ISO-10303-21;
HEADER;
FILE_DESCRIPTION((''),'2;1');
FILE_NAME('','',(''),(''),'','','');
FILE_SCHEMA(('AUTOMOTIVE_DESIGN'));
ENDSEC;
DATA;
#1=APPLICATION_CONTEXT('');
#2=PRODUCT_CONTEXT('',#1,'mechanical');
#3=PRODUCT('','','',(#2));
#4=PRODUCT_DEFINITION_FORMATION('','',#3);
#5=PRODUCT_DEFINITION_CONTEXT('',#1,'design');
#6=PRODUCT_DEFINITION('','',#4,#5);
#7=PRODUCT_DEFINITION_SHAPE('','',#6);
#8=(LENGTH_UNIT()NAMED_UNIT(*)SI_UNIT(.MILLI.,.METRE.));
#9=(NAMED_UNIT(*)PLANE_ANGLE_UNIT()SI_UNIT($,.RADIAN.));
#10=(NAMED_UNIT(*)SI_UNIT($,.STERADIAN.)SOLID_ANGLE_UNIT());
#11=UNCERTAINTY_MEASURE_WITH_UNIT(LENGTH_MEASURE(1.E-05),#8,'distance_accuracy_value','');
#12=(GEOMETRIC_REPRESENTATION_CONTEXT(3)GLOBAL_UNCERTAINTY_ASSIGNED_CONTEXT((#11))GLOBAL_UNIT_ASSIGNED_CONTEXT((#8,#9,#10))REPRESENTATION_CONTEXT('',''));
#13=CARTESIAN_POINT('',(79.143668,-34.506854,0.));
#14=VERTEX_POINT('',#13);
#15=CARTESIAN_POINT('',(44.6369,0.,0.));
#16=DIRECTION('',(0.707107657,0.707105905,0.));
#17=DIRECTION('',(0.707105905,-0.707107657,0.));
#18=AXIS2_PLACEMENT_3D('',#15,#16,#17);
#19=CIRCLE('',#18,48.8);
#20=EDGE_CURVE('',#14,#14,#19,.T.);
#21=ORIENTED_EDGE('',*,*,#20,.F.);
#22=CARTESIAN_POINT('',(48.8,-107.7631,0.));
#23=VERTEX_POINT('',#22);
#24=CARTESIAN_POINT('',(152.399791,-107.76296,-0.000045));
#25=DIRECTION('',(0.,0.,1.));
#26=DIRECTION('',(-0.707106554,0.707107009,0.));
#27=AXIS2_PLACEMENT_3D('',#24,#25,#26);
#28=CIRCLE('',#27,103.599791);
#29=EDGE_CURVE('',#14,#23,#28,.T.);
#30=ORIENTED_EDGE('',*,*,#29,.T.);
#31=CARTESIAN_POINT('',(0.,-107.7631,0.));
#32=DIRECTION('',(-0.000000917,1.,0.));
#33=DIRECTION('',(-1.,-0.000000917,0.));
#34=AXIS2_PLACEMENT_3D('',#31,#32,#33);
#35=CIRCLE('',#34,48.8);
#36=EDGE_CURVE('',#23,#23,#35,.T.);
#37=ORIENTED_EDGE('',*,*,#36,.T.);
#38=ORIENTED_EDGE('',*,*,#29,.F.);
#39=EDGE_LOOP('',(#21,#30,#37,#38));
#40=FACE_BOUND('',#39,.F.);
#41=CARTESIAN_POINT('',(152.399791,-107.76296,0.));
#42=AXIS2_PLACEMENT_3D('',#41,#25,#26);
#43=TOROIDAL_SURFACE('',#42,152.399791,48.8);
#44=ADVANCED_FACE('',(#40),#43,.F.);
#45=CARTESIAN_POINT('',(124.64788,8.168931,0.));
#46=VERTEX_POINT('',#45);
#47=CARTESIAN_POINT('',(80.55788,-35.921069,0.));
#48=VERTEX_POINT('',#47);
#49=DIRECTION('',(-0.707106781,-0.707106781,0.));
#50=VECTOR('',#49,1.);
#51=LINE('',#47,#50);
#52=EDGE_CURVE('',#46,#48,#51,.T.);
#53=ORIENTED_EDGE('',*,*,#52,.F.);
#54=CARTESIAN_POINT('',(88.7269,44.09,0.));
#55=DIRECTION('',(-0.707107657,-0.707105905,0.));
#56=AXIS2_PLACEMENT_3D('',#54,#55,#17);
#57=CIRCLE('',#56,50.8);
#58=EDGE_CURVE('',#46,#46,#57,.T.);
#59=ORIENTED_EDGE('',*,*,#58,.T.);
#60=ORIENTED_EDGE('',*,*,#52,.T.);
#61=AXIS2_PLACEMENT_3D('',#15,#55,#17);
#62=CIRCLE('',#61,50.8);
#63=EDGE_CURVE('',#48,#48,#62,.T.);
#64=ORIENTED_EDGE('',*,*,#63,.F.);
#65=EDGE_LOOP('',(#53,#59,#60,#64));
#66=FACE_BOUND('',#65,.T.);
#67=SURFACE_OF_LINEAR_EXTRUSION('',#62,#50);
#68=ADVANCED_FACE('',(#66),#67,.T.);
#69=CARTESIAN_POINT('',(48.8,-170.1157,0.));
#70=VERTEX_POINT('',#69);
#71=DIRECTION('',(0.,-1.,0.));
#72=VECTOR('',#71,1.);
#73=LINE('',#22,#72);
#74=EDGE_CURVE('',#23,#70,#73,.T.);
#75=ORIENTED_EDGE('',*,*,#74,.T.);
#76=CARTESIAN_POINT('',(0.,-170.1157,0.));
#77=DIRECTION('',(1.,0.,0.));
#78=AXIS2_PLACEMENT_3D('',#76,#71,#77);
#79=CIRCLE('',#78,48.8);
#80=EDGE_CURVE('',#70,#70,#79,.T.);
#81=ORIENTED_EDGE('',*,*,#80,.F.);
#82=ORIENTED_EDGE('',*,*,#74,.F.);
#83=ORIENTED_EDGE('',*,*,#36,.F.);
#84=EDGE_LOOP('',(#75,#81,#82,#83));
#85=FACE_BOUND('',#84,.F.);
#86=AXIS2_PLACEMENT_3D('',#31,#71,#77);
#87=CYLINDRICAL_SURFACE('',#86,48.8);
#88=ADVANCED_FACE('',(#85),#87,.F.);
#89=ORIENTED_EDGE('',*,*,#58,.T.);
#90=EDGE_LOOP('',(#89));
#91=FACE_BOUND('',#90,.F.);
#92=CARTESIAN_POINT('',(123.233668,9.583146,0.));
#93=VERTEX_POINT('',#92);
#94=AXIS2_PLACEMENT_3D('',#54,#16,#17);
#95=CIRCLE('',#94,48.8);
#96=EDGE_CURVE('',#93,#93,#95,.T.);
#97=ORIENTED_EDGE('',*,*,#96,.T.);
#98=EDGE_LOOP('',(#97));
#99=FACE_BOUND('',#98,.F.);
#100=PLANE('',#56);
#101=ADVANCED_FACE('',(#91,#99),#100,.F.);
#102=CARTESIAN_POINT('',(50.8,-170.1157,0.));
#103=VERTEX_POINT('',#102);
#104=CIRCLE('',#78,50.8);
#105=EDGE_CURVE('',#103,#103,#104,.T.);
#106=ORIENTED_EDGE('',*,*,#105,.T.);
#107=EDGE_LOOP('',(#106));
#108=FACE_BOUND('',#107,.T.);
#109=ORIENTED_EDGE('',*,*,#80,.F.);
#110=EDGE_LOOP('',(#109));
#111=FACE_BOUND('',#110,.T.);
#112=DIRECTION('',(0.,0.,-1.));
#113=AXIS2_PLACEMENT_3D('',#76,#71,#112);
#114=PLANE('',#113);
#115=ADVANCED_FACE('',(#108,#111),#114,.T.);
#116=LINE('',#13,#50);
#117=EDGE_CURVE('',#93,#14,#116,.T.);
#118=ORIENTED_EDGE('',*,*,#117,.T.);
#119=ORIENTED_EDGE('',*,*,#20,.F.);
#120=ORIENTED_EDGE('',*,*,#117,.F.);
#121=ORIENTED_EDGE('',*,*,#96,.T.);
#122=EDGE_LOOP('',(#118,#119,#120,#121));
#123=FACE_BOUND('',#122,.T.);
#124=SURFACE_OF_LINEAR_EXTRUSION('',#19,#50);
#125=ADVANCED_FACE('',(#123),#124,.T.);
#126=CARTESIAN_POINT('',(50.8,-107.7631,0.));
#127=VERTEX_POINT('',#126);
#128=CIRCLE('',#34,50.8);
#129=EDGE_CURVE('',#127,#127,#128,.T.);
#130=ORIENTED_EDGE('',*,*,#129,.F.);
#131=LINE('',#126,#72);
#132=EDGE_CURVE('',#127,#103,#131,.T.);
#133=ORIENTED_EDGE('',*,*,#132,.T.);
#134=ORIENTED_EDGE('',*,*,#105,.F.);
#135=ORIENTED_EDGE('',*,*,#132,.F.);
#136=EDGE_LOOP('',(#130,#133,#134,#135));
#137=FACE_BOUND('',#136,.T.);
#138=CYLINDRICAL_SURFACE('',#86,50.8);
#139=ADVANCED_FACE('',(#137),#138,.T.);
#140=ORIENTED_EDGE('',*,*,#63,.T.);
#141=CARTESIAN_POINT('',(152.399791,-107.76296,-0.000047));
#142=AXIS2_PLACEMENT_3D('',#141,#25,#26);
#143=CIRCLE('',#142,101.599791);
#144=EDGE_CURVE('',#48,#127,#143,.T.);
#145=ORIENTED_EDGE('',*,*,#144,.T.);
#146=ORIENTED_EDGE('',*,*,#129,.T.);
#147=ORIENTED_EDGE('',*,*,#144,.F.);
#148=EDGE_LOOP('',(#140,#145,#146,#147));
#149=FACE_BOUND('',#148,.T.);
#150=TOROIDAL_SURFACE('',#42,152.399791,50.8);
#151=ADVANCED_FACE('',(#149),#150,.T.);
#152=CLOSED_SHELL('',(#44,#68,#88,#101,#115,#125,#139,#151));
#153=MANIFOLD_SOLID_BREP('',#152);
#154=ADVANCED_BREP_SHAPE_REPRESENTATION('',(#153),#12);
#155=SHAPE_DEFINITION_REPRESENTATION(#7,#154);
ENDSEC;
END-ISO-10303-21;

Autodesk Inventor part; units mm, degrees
ref_plane "YZ Plane" through (0, 0, 0) normal (1, 0, 0) x (0, 1, 0)
ref_plane "XZ Plane" through (0, 0, 0) normal (0, 1, 0) x (-1, 0, 0)
sketch "Szkic6" plane through (0, 0, 0) normal (0, 0, 1) x (1, 0, 0)
  line L0 (-29.6067, 0) -> (35.2678, 0) construction
  line L1 (0, 42.3419) -> (0, -58.3726) construction
  arc A0 (44.6369, 0) -> (0, -107.7631) centre (152.4, -107.7631) ccw
  line L2 (0, -107.7631) -> (152.4, -107.7631) construction
  line L3 (152.4, -107.7631) -> (106.0611, -61.4242) construction
  line L4 (44.6369, 0) -> (88.7269, 44.09)
  line L5 (0, -107.7631) -> (0, -170.1157)
  point P0 (0, 0)
  dimension "d24" = 152.4
  dimension "d31" = 45
  dimension "d36" = 62.3527
  dimension "d37" = 62.3527
ref_plane "Płaszczyzna konstrukcyjna2" through (0, -107.7631, 0) normal (0, -1, 0) x (1, 0, 0)
sketch "Szkic8" plane through (0, -107.7631, 0) normal (0, -1, 0) x (1, 0, 0)
  circle A0 centre (0, 0) radius 50.8
  circle A1 centre (0, 0) radius 48.8
  dimension "d32" = 101.6
  dimension "d33" = 2
sweep "Przeciągnięcie2" add profiles "Szkic8" path "Szkic6"
equation "\"d32\" = OD"
equation "\"d33\" = THK"
equation "\"d24\" = R"
equation "\"d31\" = KAT"
equation "\"d36\" = PROSTKA"
equation "\"d37\" = PROSTKA"
equation "\"SzerokośćGięciaPodcięcia\" = Grubość"
equation "\"RozmiarPodcięciaNarożnika\" = 4 * Grubość"
equation "\"PromieńPrzejścia\" = PromieńGięcia"
equation "\"Rozmiar_promienia_Jacobiego\" = PromieńGięcia"
equation "\"Wielk_odstępu\" = Grubość"
equation "\"d2\" = PromieńGięcia"
equation "\"d23\" = PromieńGięcia"
equation "\"R\" = 152.4"
equation "\"OD\" = 101.6"
equation "\"THK\" = 2"
equation "\"KAT\" = 45deg"
equation "\"PROSTKA\" = 62.35266"
equation "\"Grubość\" = 1.5"
equation "\"PromieńGięcia\" = 3"
properties part number "Kolano 45° ø101,6x2 R152,4" material "304L"
